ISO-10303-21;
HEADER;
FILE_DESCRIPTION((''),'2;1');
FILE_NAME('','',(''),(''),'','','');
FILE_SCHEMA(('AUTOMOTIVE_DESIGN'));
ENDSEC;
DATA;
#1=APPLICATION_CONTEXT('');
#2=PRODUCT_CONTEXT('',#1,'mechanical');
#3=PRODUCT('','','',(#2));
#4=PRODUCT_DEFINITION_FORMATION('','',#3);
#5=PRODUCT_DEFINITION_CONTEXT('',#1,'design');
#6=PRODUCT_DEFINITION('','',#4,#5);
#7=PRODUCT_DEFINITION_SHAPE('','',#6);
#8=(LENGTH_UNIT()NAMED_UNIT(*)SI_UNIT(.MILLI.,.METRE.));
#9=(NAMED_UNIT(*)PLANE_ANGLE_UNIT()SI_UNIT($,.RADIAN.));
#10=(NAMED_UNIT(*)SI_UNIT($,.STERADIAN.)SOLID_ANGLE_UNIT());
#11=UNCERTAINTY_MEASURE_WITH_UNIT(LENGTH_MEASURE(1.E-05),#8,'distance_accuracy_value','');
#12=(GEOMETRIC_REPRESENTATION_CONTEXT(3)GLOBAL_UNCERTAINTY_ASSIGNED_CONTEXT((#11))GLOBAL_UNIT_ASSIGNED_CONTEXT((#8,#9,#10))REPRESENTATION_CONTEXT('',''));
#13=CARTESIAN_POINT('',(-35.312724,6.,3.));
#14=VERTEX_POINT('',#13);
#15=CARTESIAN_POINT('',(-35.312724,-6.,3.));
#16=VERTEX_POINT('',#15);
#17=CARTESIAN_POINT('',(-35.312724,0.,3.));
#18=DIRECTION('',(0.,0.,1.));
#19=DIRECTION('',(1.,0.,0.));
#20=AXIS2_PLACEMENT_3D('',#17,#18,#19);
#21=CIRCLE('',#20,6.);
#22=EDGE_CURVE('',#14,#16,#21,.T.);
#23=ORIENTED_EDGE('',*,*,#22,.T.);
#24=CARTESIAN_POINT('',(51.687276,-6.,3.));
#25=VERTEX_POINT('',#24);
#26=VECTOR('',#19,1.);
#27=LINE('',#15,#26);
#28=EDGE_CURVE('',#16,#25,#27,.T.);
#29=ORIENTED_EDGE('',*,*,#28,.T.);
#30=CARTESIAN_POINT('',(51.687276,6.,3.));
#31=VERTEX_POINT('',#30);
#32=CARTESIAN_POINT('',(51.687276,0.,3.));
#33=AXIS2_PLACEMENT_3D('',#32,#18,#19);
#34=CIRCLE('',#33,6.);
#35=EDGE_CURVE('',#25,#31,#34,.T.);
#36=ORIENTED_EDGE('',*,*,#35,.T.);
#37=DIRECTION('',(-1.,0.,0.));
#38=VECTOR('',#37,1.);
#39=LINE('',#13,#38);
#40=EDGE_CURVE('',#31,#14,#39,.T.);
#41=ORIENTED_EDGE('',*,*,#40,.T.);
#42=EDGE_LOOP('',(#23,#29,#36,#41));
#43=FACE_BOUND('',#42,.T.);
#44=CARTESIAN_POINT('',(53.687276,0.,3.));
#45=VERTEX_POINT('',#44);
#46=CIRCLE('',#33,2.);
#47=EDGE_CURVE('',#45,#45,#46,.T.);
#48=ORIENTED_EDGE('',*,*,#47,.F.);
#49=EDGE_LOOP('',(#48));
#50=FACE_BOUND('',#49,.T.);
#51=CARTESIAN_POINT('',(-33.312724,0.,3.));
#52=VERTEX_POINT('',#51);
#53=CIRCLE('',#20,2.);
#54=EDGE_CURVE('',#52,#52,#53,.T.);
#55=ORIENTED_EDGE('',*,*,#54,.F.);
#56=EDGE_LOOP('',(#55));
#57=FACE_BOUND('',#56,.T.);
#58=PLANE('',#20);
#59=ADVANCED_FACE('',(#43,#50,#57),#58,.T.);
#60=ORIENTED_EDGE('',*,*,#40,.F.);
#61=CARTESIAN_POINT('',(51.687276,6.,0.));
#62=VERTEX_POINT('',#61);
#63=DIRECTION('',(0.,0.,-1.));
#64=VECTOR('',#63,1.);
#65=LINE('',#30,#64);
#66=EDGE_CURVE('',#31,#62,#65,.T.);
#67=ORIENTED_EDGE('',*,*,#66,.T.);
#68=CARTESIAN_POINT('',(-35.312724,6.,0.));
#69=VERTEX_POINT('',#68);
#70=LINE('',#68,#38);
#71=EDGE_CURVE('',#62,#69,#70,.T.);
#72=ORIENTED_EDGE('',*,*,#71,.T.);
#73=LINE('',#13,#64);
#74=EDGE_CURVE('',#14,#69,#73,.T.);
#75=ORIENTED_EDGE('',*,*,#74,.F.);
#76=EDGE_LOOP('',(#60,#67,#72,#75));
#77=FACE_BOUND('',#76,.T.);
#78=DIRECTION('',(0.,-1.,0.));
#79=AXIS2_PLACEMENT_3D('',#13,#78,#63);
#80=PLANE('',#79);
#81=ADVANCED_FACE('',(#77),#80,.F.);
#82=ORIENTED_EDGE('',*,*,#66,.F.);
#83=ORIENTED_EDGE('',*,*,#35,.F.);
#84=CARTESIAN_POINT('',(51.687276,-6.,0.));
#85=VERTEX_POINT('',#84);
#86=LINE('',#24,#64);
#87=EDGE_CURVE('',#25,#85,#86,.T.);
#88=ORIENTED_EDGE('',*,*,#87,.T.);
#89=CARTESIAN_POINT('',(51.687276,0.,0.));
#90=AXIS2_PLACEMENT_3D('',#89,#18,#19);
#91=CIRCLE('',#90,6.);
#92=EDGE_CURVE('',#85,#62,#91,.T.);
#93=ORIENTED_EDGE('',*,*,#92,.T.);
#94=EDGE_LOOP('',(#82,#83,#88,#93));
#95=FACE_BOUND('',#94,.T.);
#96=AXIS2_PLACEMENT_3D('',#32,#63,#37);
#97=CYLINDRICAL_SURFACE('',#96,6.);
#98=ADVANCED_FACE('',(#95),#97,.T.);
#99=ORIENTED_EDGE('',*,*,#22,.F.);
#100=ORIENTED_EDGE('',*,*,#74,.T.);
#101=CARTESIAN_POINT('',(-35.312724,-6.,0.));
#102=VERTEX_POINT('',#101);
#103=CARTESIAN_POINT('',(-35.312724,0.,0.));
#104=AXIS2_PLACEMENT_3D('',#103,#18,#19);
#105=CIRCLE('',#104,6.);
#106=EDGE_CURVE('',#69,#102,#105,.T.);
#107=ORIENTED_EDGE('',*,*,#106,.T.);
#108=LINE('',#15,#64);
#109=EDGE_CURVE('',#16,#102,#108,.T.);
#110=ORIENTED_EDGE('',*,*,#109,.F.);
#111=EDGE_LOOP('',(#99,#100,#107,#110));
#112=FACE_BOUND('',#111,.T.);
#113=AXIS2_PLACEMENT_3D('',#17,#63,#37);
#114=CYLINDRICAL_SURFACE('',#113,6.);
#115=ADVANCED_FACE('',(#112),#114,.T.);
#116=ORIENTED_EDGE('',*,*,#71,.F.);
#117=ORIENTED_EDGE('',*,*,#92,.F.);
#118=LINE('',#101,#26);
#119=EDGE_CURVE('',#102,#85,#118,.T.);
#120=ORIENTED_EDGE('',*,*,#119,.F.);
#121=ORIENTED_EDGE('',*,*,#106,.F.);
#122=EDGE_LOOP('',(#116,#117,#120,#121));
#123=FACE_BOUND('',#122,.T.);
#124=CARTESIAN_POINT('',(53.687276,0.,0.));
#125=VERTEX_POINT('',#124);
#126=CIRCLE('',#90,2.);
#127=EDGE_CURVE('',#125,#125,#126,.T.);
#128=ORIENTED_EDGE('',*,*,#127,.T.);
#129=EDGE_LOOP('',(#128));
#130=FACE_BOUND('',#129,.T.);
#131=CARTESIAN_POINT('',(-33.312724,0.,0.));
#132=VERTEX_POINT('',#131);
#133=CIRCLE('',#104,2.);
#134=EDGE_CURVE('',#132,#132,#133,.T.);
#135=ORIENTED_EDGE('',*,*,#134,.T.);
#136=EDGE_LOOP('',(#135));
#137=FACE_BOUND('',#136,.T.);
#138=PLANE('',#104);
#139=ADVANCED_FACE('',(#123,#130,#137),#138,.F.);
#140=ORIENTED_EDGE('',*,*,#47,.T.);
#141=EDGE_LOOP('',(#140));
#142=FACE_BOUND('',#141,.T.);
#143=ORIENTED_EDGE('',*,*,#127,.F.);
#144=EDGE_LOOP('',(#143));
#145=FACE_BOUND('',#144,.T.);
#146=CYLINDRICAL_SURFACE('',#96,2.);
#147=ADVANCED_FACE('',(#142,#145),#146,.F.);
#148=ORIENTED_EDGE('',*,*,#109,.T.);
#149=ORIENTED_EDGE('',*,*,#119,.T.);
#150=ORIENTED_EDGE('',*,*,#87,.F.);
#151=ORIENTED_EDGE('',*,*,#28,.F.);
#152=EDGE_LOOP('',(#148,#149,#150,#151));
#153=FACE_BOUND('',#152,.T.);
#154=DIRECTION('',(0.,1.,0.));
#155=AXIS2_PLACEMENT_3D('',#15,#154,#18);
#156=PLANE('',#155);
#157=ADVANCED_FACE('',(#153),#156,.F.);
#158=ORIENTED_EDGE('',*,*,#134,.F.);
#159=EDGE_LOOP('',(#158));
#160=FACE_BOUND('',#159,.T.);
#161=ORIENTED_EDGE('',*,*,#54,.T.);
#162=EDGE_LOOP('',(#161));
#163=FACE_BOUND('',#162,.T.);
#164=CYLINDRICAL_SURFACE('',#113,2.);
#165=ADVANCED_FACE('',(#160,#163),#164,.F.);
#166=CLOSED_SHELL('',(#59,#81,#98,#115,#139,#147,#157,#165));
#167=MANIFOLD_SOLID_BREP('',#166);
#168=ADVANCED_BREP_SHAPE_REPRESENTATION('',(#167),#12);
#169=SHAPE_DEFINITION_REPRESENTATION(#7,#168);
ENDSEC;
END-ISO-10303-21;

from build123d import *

# Parameters (mm, degrees)
SKETCH1_R           = 2
BOSS_EXTRUDE3_DEPTH = 3


with BuildPart() as part:
    # Sketch1 → Boss-Extrude3 (new body)
    with BuildSketch(Plane.XY):
        with BuildLine():
            Line((-35.312724167, 6), (51.687275833, 6))
            ThreePointArc((51.687275833, 6), (57.687275833, 0), (51.687275833, -6))
            Line((51.687275833, -6), (-35.312724167, -6))
            ThreePointArc((-35.312724167, -6), (-41.312724167, 0), (-35.312724167, 6))
        make_face()
        with Locations((-35.312724167, 0)):
            Circle(SKETCH1_R, mode=Mode.SUBTRACT)
        with Locations((51.687275833, 0)):
            Circle(SKETCH1_R, mode=Mode.SUBTRACT)
    extrude(amount=BOSS_EXTRUDE3_DEPTH)


solid = part.part
